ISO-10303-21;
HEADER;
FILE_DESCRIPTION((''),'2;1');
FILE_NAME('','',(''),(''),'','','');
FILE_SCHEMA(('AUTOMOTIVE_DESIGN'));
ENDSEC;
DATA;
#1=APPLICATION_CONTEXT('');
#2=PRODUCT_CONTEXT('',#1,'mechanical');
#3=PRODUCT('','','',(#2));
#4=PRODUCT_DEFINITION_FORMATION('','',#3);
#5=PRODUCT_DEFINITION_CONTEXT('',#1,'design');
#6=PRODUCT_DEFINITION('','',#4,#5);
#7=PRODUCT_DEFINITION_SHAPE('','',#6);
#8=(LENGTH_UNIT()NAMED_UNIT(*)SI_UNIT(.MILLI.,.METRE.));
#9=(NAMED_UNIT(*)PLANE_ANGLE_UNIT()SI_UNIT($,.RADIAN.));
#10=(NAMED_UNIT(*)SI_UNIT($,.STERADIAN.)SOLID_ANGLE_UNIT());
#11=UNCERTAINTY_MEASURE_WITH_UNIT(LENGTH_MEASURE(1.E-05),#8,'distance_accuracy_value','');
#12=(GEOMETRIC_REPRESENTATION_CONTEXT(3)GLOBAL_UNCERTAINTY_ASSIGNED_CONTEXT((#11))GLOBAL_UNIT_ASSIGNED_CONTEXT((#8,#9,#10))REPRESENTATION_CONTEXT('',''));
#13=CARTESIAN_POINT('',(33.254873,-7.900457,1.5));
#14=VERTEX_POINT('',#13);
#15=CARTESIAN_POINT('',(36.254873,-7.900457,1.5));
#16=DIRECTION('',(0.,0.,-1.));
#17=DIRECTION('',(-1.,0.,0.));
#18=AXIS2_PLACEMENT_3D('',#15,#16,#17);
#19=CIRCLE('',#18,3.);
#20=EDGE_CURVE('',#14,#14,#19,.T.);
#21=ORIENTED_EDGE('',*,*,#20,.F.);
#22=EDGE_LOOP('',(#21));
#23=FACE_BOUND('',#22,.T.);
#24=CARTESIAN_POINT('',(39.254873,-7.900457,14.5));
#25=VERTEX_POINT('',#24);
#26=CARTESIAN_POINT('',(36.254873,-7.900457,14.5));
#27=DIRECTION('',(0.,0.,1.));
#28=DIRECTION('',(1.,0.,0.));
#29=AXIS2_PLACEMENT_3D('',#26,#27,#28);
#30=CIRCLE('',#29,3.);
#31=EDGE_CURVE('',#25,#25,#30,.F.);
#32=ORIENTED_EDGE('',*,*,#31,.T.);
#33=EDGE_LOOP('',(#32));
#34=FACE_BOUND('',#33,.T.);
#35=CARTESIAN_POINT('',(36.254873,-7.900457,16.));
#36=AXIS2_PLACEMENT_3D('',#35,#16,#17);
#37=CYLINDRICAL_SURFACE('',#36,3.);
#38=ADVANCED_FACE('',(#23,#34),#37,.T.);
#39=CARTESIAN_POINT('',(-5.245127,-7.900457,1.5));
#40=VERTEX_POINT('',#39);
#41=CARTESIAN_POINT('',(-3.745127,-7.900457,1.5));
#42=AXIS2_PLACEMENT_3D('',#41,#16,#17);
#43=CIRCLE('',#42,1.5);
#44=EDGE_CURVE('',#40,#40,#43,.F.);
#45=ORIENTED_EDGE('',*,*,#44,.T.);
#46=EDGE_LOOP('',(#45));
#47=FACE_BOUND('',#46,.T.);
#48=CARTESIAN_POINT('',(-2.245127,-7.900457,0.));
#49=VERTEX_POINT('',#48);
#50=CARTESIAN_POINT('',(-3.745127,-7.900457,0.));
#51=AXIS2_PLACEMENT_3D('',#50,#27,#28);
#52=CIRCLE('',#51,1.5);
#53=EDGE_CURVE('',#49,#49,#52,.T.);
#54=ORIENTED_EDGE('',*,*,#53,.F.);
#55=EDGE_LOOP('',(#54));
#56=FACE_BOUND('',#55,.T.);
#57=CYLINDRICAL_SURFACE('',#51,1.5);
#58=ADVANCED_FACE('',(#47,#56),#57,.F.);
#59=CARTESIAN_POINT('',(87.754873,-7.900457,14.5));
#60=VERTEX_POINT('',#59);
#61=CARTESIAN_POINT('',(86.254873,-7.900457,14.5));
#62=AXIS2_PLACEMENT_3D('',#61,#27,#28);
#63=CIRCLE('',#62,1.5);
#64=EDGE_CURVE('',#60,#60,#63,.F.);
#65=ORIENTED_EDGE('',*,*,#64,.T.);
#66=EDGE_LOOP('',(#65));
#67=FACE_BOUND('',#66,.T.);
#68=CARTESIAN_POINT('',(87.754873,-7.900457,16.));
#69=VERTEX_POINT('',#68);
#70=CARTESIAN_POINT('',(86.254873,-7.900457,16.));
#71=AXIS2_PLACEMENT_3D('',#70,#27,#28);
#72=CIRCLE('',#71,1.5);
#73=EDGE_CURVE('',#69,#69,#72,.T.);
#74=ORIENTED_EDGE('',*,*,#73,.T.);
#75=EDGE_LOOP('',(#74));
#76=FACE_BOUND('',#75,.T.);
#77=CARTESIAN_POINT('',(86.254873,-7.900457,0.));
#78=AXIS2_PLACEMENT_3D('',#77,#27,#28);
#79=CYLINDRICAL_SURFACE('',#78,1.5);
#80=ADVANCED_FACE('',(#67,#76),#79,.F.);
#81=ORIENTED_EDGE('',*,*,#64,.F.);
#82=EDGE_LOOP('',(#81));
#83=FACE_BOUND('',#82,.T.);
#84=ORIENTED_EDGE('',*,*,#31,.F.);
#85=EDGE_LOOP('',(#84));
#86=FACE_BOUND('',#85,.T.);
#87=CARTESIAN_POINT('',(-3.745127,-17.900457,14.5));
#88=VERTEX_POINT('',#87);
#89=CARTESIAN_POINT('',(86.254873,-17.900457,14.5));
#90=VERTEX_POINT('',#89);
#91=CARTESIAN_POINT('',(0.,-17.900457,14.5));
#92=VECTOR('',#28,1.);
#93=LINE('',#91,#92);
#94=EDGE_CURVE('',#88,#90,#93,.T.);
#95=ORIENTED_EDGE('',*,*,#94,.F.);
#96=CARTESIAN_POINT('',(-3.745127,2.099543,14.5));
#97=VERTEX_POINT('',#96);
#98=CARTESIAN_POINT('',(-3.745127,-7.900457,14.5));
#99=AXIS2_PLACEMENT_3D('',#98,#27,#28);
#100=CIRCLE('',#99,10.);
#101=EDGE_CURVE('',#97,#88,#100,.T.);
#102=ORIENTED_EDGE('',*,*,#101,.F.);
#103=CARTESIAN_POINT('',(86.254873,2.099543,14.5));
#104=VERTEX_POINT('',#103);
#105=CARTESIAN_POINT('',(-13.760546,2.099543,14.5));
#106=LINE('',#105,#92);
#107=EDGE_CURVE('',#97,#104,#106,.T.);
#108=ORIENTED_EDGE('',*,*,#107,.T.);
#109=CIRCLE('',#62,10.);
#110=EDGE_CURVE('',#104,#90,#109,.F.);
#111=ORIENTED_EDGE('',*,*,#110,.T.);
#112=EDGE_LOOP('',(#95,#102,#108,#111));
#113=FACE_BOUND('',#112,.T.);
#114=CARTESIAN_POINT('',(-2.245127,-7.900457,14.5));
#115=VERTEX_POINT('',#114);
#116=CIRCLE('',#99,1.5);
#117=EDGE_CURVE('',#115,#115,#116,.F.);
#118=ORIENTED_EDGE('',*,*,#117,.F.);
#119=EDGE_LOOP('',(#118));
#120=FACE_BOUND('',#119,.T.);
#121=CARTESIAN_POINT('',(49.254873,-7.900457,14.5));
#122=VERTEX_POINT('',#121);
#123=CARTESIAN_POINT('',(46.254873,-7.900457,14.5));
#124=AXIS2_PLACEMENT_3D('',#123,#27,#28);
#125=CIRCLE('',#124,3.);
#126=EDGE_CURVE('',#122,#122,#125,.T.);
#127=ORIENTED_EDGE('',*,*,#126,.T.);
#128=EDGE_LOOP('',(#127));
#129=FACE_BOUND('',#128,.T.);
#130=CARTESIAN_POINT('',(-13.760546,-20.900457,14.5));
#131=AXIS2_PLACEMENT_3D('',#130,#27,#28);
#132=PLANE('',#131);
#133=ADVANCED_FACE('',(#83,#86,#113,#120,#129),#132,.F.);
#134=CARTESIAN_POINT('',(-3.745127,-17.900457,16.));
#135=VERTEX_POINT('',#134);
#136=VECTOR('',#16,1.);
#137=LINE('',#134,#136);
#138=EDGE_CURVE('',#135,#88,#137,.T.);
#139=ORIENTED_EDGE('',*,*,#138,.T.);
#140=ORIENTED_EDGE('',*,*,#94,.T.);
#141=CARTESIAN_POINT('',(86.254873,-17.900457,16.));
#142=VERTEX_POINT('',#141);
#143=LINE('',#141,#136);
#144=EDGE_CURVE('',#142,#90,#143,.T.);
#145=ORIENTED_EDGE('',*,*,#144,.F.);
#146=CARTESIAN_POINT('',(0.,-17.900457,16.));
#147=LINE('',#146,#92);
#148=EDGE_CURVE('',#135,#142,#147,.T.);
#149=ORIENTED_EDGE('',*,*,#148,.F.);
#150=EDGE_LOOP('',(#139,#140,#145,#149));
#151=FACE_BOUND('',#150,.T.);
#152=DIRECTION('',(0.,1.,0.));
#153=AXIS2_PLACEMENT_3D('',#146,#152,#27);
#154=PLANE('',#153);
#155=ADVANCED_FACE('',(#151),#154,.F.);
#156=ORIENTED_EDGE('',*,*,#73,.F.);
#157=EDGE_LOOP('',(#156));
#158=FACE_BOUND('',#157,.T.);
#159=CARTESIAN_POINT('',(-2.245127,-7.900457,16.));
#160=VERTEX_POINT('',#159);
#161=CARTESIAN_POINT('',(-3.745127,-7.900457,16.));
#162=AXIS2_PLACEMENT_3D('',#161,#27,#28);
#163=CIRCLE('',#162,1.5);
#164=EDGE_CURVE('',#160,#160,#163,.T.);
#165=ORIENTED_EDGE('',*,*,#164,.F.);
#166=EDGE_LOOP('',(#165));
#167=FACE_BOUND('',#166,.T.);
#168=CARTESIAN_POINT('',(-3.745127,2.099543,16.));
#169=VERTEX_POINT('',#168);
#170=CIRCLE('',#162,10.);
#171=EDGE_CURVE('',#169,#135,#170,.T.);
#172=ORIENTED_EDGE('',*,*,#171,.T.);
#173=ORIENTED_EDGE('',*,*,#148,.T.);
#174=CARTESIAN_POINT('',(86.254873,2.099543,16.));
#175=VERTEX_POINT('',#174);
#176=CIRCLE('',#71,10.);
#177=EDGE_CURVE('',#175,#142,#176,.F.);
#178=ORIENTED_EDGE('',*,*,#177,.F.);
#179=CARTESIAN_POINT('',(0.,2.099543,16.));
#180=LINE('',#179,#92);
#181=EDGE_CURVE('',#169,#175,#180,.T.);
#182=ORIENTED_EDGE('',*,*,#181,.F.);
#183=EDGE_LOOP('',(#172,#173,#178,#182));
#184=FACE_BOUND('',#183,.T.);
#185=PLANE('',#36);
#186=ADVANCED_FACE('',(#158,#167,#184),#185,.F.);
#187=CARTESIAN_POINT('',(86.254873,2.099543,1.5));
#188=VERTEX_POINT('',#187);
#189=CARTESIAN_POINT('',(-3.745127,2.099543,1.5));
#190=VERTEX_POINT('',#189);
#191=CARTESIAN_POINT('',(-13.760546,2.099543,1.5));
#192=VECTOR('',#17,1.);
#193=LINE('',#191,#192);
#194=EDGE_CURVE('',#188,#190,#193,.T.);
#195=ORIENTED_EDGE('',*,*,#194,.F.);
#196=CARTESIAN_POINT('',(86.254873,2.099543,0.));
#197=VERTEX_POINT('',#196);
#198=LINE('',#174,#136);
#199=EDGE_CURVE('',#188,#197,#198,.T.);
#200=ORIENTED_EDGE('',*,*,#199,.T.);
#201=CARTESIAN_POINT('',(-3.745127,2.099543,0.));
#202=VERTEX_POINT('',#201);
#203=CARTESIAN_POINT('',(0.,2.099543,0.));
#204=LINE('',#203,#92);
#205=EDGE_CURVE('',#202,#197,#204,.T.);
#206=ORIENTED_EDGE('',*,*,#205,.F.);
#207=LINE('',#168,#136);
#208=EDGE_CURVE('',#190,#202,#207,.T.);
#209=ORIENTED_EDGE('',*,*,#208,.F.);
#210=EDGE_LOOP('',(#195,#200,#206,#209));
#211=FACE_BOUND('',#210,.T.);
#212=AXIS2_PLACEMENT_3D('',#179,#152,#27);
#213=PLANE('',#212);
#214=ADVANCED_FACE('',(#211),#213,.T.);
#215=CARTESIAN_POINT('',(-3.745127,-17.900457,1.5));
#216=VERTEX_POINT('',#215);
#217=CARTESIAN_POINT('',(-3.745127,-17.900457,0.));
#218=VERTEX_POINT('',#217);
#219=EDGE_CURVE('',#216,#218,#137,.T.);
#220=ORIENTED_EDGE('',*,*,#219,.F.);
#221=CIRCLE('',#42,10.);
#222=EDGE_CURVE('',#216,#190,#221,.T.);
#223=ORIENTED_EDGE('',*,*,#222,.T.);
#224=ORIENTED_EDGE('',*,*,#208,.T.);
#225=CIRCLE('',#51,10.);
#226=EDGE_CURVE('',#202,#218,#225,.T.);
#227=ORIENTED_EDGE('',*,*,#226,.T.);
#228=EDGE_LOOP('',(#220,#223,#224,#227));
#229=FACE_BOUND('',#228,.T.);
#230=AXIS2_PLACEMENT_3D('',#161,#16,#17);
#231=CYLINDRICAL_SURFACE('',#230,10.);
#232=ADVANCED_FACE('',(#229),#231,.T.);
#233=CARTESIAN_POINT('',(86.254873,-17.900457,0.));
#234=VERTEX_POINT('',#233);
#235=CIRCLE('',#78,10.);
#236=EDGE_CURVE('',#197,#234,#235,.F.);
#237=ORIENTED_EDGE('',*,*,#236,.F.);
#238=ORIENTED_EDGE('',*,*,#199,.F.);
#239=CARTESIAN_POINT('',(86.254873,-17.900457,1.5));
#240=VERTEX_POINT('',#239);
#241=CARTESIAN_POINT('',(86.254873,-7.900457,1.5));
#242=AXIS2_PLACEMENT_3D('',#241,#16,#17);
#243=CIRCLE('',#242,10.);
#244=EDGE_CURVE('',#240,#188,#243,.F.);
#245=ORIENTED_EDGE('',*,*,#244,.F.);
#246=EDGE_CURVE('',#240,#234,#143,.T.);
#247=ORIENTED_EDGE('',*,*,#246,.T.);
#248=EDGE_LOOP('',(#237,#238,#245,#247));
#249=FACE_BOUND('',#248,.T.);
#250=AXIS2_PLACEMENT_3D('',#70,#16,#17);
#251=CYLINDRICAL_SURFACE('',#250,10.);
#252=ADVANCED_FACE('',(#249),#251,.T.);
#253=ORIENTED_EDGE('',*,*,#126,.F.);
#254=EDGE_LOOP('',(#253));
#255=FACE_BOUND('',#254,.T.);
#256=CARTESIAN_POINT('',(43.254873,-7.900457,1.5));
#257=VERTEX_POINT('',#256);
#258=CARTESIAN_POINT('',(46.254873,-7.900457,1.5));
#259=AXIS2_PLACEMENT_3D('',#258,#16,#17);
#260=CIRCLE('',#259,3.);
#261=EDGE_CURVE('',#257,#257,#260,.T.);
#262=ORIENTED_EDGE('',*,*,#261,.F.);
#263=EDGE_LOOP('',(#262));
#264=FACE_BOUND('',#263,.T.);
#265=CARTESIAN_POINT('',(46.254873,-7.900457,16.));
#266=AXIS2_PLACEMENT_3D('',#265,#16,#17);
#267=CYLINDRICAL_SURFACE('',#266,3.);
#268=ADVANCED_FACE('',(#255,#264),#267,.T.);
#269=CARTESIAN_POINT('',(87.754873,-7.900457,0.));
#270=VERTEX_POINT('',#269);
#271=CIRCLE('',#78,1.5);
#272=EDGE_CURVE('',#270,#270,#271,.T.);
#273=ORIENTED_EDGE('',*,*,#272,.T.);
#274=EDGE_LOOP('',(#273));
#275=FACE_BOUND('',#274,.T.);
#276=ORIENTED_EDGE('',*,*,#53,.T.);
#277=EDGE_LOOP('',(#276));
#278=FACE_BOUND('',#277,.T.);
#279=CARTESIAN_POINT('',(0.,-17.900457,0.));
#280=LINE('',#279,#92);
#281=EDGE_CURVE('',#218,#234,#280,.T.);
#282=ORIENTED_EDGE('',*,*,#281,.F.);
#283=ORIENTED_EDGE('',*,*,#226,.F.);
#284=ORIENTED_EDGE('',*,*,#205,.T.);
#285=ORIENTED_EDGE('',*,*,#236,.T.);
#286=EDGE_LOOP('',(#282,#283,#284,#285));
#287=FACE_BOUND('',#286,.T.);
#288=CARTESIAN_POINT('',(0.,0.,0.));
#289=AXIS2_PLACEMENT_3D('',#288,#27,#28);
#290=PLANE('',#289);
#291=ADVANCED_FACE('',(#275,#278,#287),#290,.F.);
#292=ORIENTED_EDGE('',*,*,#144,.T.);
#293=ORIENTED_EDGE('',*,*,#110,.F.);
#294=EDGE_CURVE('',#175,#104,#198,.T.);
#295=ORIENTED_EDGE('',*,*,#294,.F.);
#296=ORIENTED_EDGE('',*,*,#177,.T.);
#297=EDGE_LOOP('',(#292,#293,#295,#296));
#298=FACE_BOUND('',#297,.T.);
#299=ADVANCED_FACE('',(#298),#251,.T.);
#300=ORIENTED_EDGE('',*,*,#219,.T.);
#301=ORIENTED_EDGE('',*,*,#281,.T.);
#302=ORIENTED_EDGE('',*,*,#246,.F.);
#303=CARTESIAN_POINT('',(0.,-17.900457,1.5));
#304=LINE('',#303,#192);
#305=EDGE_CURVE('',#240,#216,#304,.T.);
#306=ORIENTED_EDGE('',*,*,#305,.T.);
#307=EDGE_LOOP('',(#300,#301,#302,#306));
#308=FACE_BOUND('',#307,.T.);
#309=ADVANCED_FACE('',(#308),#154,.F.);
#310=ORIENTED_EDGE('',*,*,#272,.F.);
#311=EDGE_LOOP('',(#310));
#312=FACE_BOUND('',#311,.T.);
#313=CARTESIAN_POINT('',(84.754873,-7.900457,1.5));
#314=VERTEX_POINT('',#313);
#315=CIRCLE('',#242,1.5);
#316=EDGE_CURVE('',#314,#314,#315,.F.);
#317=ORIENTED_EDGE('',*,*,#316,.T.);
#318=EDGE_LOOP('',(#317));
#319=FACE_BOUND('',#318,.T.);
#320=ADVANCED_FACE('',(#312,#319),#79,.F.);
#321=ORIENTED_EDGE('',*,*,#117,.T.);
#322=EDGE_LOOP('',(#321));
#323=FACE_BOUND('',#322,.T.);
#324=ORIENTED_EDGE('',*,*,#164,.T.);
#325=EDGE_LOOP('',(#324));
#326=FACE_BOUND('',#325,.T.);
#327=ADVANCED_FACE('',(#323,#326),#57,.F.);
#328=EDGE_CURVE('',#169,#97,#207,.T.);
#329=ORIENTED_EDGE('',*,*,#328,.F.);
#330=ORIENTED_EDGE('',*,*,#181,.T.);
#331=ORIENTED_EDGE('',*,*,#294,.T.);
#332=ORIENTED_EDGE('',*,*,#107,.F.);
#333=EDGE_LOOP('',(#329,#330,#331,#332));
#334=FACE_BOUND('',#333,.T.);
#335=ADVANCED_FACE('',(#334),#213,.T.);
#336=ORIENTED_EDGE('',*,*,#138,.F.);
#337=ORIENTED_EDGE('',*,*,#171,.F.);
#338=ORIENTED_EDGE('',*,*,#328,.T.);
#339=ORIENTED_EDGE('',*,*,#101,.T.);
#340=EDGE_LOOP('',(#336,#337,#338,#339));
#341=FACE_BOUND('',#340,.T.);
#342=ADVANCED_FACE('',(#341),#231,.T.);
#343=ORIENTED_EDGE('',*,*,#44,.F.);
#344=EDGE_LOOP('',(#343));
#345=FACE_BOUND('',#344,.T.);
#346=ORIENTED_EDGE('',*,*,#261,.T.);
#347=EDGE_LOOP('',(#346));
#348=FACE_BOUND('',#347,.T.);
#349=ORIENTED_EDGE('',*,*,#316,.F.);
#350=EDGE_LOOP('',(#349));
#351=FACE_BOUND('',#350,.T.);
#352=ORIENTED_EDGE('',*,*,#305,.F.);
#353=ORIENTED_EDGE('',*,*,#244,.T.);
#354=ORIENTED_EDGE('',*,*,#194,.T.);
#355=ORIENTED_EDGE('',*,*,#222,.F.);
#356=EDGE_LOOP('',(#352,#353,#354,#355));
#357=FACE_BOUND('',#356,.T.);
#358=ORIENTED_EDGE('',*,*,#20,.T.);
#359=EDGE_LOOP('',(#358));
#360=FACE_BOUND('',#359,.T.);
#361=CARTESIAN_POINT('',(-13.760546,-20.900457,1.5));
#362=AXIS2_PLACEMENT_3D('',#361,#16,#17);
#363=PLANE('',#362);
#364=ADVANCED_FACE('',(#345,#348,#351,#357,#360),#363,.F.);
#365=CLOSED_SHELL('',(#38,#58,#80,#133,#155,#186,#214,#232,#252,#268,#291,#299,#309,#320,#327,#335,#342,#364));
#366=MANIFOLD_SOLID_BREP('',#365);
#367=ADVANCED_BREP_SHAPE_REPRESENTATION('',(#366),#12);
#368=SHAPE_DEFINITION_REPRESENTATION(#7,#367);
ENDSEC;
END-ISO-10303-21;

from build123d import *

# Parameters (mm, degrees)
SKETCH1_W           = 90
SKETCH1_H           = 20
BOSS_EXTRUDE2_DEPTH = 16
SKETCH2_R           = 1.5
CUT_EXTRUDE1_DEPTH  = 16
SKETCH3_W           = 110.03675272
SKETCH3_H           = 13
CUT_EXTRUDE2_DEPTH  = 23
SKETCH4_R           = 3
BOSS_EXTRUDE3_DEPTH = 16


with BuildPart() as part:
    # Sketch1 → Boss-Extrude2 (new body)
    with BuildSketch(Plane.XY):
        with BuildLine():
            Line((-3.745126611, 2.099543411), (-3.745126611, -17.900456589))
            ThreePointArc((-3.745126611, -17.900456589), (-13.745126611, -7.900456589), (-3.745126611, 2.099543411))
        make_face()
        with Locations((41.254873389, -7.900456589)):
            Rectangle(SKETCH1_W, SKETCH1_H)
        with BuildLine():
            ThreePointArc((86.254873389, 2.099543411), (96.254873389, -7.900456589), (86.254873389, -17.900456589))
            Line((86.254873389, -17.900456589), (86.254873389, 2.099543411))
        make_face()
    extrude(amount=BOSS_EXTRUDE2_DEPTH)

    # Sketch2 → Cut-Extrude1 (cut)
    with BuildSketch(Plane.XY.offset(16)):
        with Locations((-3.745126611, -7.900456589)):
            Circle(SKETCH2_R)
        with Locations((86.254873389, -7.900456589)):
            Circle(SKETCH2_R)
    extrude(amount=-CUT_EXTRUDE1_DEPTH, mode=Mode.SUBTRACT)

    # Sketch3 → Cut-Extrude2 (cut)
    with BuildSketch(Plane(origin=(0, 2.099543411, 0), x_dir=(1, 0, 0), z_dir=(0, 1, 0))):
        with Locations((41.257830101, -8)):
            Rectangle(SKETCH3_W, SKETCH3_H)
    extrude(amount=-CUT_EXTRUDE2_DEPTH, mode=Mode.SUBTRACT)

    # Sketch4 → Boss-Extrude3 (add)
    with BuildSketch(Plane(origin=(0, 0, 0), x_dir=(-1, 0, 0), z_dir=(0, 0, -1))):
        with Locations((-36.254873389, -7.900456589)):
            Circle(SKETCH4_R)
        with Locations((-46.254873389, -7.900456589)):
            Circle(SKETCH4_R)
    extrude(amount=-BOSS_EXTRUDE3_DEPTH)


solid = part.part
